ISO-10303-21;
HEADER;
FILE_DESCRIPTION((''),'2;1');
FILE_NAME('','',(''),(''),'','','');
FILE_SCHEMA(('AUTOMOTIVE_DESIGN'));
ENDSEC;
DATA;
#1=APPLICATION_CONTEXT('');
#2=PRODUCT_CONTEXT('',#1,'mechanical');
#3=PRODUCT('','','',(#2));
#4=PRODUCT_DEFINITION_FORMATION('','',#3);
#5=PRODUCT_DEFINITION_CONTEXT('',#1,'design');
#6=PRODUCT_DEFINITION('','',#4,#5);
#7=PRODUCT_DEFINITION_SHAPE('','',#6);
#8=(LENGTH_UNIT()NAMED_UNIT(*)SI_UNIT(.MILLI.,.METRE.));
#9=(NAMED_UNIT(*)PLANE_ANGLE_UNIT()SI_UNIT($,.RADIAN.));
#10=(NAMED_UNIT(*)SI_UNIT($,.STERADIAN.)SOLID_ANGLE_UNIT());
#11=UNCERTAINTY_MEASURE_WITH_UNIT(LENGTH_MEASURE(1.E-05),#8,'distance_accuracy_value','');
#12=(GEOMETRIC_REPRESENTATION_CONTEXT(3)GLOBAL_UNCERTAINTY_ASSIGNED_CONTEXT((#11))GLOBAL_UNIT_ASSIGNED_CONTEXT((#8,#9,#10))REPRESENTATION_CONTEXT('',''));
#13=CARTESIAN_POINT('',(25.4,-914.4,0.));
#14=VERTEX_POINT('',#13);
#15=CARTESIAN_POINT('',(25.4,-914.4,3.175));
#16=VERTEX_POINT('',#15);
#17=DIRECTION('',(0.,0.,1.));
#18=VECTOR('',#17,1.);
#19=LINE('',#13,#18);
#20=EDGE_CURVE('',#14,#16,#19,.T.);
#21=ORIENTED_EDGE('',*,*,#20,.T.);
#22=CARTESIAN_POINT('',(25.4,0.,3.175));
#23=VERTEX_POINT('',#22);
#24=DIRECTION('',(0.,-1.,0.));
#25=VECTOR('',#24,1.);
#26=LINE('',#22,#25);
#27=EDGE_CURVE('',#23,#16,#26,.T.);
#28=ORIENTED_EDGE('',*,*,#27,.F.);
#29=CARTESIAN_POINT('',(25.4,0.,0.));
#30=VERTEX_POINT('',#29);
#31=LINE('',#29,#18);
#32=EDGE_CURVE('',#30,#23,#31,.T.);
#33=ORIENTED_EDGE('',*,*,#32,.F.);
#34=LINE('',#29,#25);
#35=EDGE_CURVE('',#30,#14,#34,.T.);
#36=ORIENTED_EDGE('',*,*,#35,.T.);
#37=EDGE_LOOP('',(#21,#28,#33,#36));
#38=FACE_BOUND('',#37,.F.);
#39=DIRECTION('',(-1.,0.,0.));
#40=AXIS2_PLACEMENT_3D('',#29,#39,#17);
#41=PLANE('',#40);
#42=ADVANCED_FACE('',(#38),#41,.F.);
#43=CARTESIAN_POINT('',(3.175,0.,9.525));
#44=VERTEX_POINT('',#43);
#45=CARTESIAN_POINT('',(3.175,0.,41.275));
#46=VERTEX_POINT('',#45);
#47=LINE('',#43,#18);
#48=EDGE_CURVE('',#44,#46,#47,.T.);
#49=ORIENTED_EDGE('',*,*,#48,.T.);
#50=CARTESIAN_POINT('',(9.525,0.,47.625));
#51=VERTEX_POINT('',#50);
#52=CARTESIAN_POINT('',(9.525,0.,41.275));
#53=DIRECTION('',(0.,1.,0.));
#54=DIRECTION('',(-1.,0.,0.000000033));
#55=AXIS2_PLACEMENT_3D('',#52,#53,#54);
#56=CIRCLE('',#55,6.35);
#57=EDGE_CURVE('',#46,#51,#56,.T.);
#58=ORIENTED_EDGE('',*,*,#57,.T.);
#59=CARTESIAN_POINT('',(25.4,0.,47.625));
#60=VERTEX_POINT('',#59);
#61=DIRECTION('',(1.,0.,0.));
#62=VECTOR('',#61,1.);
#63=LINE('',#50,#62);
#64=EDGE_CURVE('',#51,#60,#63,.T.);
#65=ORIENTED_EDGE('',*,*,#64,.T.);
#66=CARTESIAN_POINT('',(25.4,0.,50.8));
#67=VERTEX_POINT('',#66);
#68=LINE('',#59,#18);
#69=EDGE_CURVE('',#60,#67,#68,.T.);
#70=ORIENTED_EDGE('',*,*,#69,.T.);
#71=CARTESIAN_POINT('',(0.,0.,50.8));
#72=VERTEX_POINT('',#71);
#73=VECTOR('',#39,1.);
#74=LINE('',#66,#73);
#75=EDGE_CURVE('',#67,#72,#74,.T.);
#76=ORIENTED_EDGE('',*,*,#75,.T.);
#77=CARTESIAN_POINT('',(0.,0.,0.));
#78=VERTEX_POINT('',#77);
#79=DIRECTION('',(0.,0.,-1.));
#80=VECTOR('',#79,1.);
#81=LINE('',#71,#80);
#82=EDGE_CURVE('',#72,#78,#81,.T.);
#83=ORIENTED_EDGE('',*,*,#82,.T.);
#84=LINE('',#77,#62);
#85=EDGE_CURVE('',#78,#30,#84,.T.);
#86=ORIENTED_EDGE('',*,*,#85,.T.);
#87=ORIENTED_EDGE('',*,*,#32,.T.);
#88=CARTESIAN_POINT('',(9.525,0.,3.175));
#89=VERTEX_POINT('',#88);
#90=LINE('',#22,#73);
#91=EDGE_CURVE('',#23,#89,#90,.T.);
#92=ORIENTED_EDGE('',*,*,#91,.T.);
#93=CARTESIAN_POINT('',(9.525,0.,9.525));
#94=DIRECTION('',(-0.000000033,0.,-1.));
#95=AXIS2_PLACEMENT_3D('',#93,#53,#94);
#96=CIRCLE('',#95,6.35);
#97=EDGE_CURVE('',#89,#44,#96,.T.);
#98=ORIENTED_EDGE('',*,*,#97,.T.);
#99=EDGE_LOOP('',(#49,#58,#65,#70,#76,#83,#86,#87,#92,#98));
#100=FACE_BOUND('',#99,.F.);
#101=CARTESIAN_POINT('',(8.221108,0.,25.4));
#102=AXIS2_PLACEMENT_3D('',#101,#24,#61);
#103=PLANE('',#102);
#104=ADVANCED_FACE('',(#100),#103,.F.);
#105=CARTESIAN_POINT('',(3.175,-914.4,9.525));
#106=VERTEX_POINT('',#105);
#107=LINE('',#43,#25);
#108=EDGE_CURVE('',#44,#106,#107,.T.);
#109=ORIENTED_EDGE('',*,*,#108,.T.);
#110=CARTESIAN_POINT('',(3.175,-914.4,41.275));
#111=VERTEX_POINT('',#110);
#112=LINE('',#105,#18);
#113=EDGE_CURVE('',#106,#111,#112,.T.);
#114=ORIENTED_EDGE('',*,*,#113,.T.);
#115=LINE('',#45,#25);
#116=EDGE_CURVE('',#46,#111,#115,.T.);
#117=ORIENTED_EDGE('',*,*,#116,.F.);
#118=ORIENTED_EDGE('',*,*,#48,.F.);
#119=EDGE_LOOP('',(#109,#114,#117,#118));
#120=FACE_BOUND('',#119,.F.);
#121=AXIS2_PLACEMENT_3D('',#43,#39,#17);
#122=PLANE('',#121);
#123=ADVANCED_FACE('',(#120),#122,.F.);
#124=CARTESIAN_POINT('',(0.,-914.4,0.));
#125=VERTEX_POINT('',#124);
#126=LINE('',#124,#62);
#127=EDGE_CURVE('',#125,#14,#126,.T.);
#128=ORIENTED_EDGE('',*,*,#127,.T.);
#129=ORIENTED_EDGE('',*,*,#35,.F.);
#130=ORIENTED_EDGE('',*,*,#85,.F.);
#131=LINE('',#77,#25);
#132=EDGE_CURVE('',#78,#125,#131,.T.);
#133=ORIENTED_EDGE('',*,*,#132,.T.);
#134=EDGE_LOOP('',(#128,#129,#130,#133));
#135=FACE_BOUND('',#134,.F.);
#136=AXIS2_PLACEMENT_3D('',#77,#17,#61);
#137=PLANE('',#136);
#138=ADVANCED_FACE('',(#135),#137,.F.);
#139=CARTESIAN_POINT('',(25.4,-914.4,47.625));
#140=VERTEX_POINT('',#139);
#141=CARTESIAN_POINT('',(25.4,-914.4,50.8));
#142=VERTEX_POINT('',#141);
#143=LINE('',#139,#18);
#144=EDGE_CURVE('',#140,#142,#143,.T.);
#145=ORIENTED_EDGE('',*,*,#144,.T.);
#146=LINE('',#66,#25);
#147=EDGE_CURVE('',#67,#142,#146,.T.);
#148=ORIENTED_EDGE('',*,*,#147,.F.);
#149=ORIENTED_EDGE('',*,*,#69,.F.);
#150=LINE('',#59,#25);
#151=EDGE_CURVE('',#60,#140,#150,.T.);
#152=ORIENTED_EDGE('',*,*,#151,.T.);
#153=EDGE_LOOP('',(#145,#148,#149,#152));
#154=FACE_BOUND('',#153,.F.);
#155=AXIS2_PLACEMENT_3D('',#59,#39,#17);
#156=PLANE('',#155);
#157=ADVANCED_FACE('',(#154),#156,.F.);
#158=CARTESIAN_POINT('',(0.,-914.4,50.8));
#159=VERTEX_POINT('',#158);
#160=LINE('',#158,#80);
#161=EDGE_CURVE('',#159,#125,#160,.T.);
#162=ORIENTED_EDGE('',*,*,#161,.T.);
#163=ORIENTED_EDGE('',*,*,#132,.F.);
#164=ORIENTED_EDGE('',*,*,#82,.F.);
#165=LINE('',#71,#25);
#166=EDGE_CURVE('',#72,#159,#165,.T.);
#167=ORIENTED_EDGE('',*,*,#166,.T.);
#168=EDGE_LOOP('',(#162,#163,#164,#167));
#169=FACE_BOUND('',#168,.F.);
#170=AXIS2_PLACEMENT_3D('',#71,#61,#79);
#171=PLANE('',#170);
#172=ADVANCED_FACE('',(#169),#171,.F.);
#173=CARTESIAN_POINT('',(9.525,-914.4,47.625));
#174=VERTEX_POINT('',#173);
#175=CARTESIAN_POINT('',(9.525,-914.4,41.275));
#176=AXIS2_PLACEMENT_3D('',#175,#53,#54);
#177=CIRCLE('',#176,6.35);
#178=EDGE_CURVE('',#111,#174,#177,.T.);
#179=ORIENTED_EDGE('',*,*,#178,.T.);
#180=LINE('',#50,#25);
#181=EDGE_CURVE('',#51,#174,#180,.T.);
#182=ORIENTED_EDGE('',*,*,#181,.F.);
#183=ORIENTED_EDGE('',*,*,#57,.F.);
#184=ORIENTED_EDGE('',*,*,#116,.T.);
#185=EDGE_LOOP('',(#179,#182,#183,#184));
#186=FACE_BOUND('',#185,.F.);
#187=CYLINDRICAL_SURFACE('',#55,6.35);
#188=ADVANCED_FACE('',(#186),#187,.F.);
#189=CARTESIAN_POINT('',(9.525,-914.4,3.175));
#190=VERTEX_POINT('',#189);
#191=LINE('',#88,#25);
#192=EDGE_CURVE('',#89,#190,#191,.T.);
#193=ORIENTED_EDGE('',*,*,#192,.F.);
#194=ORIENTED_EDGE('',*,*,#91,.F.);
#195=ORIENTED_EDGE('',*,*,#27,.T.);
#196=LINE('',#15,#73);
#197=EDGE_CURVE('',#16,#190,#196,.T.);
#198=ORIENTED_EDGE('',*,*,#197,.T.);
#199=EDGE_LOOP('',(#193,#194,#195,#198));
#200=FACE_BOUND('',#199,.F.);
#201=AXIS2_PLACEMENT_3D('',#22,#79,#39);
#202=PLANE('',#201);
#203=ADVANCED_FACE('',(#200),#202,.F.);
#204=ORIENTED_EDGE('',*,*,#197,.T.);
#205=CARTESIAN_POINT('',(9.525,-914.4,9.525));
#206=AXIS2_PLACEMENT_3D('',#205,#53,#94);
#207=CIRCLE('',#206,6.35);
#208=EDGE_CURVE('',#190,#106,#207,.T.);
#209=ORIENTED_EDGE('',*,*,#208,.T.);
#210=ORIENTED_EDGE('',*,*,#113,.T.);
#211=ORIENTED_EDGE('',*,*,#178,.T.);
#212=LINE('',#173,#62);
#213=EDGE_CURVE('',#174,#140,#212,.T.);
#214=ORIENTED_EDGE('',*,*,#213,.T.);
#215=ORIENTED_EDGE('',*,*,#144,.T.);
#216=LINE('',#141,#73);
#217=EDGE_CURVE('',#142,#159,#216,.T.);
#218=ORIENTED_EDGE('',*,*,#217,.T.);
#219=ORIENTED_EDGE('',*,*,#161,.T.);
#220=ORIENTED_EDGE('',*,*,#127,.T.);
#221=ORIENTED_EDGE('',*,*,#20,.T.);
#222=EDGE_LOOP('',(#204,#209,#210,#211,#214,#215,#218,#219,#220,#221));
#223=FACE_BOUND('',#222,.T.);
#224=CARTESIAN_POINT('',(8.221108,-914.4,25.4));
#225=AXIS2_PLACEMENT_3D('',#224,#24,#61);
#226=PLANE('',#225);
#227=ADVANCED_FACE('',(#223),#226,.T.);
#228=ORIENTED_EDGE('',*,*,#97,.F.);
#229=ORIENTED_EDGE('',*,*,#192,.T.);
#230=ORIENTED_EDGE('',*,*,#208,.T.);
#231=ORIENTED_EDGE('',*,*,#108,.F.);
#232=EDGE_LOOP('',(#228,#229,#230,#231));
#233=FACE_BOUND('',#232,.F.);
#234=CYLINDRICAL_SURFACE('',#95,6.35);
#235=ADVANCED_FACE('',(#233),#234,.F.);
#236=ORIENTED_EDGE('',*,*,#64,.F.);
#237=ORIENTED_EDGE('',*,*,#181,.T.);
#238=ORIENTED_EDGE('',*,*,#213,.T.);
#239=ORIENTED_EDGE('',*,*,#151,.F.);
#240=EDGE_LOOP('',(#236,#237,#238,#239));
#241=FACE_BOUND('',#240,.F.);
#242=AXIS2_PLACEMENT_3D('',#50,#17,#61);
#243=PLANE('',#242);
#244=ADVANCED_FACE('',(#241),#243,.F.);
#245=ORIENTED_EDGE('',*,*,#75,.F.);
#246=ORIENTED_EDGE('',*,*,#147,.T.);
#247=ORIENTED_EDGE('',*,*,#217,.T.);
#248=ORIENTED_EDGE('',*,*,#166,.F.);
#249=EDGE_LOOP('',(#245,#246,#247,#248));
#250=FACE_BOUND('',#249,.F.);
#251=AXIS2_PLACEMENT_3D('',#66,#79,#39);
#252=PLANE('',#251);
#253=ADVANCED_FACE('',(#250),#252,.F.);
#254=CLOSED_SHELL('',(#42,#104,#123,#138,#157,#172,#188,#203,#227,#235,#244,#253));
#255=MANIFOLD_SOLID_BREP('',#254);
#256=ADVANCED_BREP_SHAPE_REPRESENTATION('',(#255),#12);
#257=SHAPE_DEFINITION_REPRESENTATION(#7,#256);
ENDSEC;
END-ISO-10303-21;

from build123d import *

# Parameters (mm, degrees)
F1_DEPTH = 914.4


with BuildPart() as f1:
    # F0 (on Front) → F1 (new body)
    with BuildSketch(Plane.XZ):
        with BuildLine():
            Line((0, 50.8), (0, 0))
            Line((0, 0), (25.4, 0))
            Line((25.4, 0), (25.4, 3.175))
            Line((25.4, 3.175), (9.525, 3.175))
            ThreePointArc((9.525, 3.175), (5.034872, 5.034872), (3.175, 9.525))
            Line((3.175, 9.525), (3.175, 41.275))
            ThreePointArc((3.175, 41.275), (5.034872, 45.765128), (9.525, 47.625))
            Line((9.525, 47.625), (25.4, 47.625))
            Line((25.4, 47.625), (25.4, 50.8))
            Line((25.4, 50.8), (0, 50.8))
        make_face()
    extrude(amount=F1_DEPTH)


solid = f1.part
